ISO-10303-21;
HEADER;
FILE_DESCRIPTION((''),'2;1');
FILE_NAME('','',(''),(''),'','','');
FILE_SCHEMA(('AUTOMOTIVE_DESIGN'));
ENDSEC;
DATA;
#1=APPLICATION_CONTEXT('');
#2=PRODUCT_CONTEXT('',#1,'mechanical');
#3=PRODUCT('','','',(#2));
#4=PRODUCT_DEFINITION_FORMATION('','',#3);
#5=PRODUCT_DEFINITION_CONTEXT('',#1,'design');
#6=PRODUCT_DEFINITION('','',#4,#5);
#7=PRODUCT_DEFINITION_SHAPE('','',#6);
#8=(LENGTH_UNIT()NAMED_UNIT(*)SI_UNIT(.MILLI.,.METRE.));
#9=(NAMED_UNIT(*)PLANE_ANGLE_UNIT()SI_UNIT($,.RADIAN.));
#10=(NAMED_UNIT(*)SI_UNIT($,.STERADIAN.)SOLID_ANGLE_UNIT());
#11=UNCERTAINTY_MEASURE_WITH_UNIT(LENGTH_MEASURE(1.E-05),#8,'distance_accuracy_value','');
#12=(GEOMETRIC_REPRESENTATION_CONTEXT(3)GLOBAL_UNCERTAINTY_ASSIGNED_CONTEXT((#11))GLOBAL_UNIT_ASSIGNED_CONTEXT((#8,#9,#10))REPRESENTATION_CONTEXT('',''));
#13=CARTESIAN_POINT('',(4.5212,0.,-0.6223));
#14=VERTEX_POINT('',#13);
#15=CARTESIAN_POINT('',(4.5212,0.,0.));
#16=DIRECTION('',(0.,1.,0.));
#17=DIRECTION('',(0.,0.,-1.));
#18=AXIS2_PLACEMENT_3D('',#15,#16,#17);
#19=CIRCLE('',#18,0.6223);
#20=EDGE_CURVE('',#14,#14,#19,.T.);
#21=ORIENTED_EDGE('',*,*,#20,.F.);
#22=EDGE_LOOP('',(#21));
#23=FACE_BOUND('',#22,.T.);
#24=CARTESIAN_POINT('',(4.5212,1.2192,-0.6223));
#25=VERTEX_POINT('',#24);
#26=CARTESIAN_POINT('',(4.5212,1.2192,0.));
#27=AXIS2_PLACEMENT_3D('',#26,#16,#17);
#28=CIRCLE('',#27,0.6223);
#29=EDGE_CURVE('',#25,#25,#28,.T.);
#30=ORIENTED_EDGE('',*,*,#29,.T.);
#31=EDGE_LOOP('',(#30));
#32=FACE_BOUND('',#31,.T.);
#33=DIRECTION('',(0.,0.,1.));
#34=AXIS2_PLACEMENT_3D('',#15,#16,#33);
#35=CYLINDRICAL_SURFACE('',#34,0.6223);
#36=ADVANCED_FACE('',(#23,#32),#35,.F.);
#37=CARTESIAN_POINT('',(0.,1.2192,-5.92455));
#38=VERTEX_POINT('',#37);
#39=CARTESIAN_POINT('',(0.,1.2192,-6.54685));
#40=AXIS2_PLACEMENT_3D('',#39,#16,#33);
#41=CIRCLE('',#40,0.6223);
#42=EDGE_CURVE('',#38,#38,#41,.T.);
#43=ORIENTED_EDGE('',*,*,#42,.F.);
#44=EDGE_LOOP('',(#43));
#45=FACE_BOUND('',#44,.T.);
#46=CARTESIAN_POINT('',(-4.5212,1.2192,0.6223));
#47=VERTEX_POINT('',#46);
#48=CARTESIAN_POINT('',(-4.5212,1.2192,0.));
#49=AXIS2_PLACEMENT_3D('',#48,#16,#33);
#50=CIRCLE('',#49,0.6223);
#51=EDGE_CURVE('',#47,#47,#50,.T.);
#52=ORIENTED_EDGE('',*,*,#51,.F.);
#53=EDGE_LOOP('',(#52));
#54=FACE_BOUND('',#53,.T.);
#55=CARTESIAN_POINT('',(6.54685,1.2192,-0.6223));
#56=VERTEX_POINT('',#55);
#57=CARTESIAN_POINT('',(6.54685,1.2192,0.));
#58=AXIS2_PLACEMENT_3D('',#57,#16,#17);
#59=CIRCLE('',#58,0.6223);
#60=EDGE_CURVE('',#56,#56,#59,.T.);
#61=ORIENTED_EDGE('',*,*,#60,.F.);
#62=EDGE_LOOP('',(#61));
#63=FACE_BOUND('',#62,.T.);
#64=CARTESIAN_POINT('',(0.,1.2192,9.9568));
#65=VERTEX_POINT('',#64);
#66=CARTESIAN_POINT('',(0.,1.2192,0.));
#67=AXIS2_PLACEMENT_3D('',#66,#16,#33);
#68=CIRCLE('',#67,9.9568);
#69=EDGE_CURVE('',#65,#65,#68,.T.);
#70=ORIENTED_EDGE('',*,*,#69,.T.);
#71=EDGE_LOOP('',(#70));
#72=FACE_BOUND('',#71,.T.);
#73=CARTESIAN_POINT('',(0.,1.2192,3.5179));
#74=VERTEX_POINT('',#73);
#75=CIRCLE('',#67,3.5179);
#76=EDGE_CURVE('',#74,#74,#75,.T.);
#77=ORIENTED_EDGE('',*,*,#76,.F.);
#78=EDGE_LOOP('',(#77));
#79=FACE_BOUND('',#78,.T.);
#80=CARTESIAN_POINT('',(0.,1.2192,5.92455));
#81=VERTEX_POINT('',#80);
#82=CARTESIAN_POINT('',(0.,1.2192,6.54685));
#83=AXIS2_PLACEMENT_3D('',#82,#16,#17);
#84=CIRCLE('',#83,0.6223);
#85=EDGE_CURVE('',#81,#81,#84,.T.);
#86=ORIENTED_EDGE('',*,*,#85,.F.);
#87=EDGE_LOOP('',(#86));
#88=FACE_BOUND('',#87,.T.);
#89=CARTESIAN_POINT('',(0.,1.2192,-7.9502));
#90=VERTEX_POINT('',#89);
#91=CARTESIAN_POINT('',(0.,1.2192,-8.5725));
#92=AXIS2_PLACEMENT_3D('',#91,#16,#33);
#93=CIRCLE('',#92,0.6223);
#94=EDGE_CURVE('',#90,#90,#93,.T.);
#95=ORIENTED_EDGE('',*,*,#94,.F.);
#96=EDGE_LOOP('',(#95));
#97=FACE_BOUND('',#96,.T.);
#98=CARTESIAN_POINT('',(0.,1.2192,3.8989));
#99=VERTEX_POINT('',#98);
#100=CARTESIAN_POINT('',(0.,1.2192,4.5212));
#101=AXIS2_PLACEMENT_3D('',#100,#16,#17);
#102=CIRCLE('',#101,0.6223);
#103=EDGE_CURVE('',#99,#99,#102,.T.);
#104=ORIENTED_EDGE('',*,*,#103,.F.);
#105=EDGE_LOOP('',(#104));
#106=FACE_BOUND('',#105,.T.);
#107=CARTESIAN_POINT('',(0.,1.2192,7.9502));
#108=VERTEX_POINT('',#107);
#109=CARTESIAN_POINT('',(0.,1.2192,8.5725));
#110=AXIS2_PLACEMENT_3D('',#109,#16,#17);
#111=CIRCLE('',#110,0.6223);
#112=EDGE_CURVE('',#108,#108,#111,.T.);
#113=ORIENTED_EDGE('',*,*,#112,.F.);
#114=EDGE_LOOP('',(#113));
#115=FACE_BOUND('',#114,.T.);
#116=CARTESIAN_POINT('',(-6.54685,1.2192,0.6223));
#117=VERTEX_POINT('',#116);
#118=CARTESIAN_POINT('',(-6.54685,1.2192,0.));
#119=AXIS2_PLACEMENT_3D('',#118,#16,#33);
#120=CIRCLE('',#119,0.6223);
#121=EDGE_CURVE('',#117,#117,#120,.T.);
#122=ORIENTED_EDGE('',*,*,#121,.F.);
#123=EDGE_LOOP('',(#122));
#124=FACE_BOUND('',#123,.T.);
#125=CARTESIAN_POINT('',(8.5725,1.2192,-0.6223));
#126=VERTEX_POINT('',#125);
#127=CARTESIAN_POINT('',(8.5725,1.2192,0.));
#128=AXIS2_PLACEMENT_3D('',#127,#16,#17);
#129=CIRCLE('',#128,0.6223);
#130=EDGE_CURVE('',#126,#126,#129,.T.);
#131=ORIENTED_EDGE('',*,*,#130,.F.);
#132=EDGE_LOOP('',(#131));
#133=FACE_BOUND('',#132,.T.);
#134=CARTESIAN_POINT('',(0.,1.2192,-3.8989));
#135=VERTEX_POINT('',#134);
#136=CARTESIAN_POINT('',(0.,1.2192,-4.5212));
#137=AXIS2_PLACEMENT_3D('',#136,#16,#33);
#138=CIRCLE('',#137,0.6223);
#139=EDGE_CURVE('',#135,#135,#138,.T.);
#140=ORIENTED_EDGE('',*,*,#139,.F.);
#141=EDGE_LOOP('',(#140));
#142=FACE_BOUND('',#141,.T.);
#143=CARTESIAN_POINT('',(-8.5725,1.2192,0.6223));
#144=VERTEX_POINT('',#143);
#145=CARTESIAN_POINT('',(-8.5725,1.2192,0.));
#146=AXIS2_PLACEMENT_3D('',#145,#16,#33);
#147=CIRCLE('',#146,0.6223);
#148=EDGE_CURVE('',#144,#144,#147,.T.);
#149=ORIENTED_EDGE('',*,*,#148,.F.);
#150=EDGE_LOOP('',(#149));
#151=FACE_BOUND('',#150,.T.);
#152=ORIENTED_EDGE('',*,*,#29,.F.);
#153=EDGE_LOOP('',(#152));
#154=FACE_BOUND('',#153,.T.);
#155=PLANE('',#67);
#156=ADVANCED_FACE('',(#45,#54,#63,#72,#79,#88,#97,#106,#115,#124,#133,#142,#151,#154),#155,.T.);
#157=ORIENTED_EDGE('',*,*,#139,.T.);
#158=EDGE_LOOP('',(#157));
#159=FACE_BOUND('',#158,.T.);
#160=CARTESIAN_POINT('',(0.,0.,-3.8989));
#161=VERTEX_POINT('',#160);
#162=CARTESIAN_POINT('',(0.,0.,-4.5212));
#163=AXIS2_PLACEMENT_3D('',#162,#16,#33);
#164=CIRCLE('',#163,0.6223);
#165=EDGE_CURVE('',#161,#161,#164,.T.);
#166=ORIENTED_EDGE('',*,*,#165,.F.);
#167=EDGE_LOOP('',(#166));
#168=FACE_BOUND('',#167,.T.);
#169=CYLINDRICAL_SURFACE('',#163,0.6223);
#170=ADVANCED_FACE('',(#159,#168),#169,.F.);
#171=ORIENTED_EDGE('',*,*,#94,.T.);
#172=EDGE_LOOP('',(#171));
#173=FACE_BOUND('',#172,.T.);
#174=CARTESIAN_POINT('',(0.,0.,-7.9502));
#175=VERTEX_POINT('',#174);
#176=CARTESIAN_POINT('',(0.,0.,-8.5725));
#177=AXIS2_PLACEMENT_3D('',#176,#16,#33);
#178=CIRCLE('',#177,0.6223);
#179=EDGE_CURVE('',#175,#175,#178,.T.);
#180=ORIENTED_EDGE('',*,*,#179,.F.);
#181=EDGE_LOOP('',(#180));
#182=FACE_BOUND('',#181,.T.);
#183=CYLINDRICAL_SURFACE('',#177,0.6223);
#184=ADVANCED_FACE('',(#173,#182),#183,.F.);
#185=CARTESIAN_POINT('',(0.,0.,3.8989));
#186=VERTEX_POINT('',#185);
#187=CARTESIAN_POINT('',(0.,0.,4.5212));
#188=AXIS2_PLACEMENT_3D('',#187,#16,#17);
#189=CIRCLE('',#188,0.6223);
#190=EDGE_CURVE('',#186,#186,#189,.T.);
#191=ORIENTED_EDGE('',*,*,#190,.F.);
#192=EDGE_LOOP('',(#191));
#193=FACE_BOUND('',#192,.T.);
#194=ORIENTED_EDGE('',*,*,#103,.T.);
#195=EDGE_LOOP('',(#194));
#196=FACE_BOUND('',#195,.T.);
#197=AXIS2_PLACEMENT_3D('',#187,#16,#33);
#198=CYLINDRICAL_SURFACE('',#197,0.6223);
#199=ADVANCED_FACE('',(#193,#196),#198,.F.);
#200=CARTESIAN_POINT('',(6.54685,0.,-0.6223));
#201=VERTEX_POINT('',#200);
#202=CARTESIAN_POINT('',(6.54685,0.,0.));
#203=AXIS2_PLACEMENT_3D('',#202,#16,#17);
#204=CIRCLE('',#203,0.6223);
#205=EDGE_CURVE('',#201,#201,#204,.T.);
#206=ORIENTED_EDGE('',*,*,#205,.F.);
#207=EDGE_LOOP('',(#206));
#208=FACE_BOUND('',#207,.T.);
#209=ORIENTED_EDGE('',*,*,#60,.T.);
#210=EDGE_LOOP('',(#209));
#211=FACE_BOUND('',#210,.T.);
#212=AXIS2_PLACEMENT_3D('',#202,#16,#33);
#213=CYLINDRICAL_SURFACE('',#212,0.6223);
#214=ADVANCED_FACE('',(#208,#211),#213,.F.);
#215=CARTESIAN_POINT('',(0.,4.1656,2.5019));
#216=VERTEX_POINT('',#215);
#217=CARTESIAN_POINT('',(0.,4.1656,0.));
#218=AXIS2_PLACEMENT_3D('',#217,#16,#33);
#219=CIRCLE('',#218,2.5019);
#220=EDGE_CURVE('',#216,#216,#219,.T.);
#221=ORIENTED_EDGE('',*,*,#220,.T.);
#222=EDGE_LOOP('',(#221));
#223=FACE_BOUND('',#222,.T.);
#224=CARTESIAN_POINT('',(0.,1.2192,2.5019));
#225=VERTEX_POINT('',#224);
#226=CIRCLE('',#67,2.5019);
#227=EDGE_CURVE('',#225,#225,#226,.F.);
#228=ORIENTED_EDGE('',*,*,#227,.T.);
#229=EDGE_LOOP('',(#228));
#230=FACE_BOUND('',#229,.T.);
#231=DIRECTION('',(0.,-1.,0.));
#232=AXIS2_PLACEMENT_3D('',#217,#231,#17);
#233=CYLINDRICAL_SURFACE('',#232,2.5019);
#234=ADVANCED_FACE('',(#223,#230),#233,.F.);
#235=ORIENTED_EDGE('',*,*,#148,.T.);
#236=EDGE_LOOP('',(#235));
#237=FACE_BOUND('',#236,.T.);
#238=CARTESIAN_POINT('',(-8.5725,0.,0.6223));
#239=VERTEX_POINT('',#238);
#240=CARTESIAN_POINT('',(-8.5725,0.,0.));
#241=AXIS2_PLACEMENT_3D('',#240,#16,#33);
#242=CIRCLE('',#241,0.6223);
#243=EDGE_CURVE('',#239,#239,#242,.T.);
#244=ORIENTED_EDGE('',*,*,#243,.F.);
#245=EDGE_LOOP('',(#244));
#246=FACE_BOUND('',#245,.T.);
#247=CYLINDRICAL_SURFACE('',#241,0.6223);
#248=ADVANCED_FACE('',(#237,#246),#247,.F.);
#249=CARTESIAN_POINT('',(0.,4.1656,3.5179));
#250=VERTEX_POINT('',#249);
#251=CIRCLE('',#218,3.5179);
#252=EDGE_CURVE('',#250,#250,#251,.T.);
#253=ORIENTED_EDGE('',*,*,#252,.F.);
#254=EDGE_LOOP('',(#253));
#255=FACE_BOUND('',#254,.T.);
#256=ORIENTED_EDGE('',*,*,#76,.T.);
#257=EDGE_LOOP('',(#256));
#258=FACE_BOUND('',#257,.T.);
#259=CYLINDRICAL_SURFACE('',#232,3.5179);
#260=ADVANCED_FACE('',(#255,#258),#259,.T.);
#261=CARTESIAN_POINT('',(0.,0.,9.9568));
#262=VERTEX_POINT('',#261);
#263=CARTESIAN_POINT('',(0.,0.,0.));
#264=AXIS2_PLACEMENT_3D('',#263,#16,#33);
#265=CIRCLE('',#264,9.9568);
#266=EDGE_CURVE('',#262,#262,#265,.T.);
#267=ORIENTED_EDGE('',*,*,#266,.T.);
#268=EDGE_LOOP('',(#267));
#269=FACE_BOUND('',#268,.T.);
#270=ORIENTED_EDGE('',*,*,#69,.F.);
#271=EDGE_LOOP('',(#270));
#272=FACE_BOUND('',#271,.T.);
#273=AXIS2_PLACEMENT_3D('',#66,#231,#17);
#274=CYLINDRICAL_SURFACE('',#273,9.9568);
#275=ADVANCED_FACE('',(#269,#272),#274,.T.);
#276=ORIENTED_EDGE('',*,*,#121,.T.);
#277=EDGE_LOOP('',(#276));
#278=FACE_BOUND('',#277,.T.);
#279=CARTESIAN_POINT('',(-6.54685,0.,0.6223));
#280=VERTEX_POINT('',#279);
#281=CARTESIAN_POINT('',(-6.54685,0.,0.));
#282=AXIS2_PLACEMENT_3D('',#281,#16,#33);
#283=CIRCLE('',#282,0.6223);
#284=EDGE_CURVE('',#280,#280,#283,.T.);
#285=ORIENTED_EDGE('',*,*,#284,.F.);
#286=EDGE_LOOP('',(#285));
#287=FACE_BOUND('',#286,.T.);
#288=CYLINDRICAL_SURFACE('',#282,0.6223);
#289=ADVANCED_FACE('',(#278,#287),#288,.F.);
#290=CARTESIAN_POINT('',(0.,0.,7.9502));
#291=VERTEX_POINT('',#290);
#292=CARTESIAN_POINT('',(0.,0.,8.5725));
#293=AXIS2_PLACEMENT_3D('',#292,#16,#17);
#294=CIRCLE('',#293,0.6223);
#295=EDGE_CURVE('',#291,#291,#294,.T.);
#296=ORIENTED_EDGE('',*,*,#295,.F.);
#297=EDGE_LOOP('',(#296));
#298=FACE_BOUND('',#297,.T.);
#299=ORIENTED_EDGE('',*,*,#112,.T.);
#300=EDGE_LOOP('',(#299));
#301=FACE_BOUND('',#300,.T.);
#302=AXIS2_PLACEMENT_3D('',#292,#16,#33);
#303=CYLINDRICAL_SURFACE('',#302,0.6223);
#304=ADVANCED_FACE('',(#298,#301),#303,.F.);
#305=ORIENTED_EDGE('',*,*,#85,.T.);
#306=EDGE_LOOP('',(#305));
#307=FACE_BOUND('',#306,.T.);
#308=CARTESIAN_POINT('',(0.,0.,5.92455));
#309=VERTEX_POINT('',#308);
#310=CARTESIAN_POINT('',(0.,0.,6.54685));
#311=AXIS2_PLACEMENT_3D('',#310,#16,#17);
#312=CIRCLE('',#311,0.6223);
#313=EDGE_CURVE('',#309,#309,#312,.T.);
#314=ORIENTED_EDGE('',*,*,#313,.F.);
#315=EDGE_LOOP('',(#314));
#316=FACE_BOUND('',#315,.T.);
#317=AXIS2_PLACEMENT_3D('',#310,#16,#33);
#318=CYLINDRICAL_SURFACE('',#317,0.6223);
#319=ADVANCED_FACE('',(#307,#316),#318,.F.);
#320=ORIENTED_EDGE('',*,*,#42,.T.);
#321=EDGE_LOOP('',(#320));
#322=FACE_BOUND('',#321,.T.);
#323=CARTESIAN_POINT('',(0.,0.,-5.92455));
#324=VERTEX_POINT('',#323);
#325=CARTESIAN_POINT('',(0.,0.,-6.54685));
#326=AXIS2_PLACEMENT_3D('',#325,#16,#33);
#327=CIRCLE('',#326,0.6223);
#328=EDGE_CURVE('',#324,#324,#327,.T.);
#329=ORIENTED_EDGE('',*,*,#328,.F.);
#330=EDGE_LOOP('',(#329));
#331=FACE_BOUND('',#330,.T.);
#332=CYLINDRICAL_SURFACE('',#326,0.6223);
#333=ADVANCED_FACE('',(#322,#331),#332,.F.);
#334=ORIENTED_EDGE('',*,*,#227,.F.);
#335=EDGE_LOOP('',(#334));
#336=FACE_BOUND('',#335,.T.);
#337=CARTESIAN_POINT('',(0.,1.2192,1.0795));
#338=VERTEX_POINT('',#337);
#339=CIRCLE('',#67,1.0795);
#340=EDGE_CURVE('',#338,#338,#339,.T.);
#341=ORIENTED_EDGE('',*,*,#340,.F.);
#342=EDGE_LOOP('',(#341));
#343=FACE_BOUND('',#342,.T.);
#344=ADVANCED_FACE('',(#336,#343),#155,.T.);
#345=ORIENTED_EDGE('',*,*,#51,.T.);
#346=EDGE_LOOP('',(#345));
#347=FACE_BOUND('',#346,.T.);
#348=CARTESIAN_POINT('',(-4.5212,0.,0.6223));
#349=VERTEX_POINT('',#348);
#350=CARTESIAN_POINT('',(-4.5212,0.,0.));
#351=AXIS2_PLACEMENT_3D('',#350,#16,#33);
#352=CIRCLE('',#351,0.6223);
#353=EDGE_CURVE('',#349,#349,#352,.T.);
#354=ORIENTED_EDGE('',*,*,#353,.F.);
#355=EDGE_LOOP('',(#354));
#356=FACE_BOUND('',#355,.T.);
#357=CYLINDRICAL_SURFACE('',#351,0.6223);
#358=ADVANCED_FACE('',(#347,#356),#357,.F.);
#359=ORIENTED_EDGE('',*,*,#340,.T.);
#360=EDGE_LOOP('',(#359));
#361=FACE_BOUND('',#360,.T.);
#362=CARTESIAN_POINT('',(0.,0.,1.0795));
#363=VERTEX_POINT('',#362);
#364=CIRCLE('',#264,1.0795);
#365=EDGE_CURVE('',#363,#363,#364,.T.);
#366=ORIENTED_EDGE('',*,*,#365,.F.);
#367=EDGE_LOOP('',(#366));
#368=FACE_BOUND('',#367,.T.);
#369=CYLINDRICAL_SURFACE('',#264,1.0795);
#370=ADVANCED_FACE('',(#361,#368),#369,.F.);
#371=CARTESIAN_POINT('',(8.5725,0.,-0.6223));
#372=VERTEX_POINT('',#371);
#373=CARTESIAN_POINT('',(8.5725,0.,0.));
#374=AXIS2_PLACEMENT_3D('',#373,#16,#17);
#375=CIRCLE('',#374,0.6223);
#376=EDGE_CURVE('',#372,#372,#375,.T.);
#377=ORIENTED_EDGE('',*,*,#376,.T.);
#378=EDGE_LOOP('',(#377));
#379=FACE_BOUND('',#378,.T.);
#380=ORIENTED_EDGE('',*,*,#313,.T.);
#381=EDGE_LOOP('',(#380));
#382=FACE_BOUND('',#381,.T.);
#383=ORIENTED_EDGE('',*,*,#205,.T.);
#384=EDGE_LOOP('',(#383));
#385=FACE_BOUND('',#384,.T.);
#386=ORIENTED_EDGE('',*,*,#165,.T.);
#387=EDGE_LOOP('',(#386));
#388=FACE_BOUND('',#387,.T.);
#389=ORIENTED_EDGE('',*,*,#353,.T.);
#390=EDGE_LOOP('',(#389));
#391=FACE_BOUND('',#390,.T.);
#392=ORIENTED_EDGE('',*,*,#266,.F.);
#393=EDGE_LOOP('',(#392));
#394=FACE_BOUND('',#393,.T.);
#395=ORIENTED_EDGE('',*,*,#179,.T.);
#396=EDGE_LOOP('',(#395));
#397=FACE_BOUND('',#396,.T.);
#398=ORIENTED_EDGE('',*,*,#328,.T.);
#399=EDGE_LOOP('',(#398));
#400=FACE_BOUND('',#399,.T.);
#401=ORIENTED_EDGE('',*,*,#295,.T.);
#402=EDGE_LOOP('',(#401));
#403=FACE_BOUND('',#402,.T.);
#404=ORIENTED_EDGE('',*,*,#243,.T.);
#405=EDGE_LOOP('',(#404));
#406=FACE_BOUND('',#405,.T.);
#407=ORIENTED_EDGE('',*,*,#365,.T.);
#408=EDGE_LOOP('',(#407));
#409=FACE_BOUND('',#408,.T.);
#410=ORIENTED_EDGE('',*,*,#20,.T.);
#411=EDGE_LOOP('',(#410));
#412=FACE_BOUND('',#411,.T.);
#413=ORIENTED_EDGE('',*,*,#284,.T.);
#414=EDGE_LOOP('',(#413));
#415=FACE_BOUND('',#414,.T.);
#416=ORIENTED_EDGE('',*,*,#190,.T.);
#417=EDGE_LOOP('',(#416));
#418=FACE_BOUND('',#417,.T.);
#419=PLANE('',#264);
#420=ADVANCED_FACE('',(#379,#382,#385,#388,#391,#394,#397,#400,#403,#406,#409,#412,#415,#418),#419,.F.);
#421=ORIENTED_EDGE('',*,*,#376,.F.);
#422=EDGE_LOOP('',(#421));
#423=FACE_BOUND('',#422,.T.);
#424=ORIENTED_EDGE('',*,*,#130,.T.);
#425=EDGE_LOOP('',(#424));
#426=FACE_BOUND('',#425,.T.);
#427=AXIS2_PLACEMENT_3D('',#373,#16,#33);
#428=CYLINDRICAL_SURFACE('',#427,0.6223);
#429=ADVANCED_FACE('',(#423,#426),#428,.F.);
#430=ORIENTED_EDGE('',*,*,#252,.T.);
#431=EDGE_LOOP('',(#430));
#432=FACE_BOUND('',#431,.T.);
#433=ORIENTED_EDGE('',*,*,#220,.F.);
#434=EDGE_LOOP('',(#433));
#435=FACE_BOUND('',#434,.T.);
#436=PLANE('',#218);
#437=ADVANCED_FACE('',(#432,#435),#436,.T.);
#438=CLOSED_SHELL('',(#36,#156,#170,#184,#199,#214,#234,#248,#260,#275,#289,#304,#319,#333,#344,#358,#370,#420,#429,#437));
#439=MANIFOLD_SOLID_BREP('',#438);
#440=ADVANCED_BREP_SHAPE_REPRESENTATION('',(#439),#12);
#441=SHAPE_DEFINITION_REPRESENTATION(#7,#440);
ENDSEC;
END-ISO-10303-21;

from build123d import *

# Parameters (mm, degrees)
SKETCH1_R           = 9.9568
BOSS_EXTRUDE1_DEPTH = 1.2192
SKETCH2_R           = 3.5179
SKETCH2_R_2         = 2.5019
BOSS_EXTRUDE2_DEPTH = 2.9464
SKETCH3_R           = 1.0795
SKETCH3_R_2         = 0.6223
CUT_EXTRUDE1_DEPTH  = 15.386000328


with BuildPart() as part:
    # Sketch1 → Boss-Extrude1 (new body)
    with BuildSketch(Plane(origin=(0, 0, 0), x_dir=(1, 0, 0), z_dir=(0, 1, 0))):
        with Locations(Location((0, 0, 0), (0, 0, 270))):
            Circle(SKETCH1_R)
    extrude(amount=BOSS_EXTRUDE1_DEPTH)

    # Sketch2 → Boss-Extrude2 (add)
    with BuildSketch(Plane(origin=(0, 1.2192, 0), x_dir=(1, 0, 0), z_dir=(0, 1, 0))):
        with Locations(Location((0, 0, 0), (0, 0, 270))):
            Circle(SKETCH2_R)
        with Locations(Location((0, 0, 0), (0, 0, 270))):
            Circle(SKETCH2_R_2, mode=Mode.SUBTRACT)
    extrude(amount=BOSS_EXTRUDE2_DEPTH)

    # Sketch3 → Cut-Extrude1 (cut, through all)
    with BuildSketch(Plane(origin=(0, 1.2192, 0), x_dir=(1, 0, 0), z_dir=(0, 1, 0))):
        with Locations(Location((0, 0, 0), (0, 0, 270))):
            Circle(SKETCH3_R)
        with Locations(Location((-4.5212, 0, 0), (0, 0, 270))):
            Circle(SKETCH3_R_2)
        with Locations(Location((-6.54685, 0, 0), (0, 0, 270))):
            Circle(SKETCH3_R_2)
        with Locations(Location((-8.5725, 0, 0), (0, 0, 270))):
            Circle(SKETCH3_R_2)
        with Locations(Location((8.5725, 0, 0), (0, 0, 90))):
            Circle(SKETCH3_R_2)
        with Locations(Location((6.54685, 0, 0), (0, 0, 90))):
            Circle(SKETCH3_R_2)
        with Locations(Location((4.5212, 0, 0), (0, 0, 90))):
            Circle(SKETCH3_R_2)
        with Locations(Location((0, 4.5212, 0), (0, 0, 270))):
            Circle(SKETCH3_R_2)
        with Locations(Location((0, 6.54685, 0), (0, 0, 270))):
            Circle(SKETCH3_R_2)
        with Locations(Location((0, 8.5725, 0), (0, 0, 270))):
            Circle(SKETCH3_R_2)
        with Locations(Location((0, -4.5212, 0), (0, 0, 90))):
            Circle(SKETCH3_R_2)
        with Locations(Location((0, -6.54685, 0), (0, 0, 90))):
            Circle(SKETCH3_R_2)
        with Locations(Location((0, -8.5725, 0), (0, 0, 90))):
            Circle(SKETCH3_R_2)
    extrude(amount=-CUT_EXTRUDE1_DEPTH, mode=Mode.SUBTRACT)


solid = part.part
